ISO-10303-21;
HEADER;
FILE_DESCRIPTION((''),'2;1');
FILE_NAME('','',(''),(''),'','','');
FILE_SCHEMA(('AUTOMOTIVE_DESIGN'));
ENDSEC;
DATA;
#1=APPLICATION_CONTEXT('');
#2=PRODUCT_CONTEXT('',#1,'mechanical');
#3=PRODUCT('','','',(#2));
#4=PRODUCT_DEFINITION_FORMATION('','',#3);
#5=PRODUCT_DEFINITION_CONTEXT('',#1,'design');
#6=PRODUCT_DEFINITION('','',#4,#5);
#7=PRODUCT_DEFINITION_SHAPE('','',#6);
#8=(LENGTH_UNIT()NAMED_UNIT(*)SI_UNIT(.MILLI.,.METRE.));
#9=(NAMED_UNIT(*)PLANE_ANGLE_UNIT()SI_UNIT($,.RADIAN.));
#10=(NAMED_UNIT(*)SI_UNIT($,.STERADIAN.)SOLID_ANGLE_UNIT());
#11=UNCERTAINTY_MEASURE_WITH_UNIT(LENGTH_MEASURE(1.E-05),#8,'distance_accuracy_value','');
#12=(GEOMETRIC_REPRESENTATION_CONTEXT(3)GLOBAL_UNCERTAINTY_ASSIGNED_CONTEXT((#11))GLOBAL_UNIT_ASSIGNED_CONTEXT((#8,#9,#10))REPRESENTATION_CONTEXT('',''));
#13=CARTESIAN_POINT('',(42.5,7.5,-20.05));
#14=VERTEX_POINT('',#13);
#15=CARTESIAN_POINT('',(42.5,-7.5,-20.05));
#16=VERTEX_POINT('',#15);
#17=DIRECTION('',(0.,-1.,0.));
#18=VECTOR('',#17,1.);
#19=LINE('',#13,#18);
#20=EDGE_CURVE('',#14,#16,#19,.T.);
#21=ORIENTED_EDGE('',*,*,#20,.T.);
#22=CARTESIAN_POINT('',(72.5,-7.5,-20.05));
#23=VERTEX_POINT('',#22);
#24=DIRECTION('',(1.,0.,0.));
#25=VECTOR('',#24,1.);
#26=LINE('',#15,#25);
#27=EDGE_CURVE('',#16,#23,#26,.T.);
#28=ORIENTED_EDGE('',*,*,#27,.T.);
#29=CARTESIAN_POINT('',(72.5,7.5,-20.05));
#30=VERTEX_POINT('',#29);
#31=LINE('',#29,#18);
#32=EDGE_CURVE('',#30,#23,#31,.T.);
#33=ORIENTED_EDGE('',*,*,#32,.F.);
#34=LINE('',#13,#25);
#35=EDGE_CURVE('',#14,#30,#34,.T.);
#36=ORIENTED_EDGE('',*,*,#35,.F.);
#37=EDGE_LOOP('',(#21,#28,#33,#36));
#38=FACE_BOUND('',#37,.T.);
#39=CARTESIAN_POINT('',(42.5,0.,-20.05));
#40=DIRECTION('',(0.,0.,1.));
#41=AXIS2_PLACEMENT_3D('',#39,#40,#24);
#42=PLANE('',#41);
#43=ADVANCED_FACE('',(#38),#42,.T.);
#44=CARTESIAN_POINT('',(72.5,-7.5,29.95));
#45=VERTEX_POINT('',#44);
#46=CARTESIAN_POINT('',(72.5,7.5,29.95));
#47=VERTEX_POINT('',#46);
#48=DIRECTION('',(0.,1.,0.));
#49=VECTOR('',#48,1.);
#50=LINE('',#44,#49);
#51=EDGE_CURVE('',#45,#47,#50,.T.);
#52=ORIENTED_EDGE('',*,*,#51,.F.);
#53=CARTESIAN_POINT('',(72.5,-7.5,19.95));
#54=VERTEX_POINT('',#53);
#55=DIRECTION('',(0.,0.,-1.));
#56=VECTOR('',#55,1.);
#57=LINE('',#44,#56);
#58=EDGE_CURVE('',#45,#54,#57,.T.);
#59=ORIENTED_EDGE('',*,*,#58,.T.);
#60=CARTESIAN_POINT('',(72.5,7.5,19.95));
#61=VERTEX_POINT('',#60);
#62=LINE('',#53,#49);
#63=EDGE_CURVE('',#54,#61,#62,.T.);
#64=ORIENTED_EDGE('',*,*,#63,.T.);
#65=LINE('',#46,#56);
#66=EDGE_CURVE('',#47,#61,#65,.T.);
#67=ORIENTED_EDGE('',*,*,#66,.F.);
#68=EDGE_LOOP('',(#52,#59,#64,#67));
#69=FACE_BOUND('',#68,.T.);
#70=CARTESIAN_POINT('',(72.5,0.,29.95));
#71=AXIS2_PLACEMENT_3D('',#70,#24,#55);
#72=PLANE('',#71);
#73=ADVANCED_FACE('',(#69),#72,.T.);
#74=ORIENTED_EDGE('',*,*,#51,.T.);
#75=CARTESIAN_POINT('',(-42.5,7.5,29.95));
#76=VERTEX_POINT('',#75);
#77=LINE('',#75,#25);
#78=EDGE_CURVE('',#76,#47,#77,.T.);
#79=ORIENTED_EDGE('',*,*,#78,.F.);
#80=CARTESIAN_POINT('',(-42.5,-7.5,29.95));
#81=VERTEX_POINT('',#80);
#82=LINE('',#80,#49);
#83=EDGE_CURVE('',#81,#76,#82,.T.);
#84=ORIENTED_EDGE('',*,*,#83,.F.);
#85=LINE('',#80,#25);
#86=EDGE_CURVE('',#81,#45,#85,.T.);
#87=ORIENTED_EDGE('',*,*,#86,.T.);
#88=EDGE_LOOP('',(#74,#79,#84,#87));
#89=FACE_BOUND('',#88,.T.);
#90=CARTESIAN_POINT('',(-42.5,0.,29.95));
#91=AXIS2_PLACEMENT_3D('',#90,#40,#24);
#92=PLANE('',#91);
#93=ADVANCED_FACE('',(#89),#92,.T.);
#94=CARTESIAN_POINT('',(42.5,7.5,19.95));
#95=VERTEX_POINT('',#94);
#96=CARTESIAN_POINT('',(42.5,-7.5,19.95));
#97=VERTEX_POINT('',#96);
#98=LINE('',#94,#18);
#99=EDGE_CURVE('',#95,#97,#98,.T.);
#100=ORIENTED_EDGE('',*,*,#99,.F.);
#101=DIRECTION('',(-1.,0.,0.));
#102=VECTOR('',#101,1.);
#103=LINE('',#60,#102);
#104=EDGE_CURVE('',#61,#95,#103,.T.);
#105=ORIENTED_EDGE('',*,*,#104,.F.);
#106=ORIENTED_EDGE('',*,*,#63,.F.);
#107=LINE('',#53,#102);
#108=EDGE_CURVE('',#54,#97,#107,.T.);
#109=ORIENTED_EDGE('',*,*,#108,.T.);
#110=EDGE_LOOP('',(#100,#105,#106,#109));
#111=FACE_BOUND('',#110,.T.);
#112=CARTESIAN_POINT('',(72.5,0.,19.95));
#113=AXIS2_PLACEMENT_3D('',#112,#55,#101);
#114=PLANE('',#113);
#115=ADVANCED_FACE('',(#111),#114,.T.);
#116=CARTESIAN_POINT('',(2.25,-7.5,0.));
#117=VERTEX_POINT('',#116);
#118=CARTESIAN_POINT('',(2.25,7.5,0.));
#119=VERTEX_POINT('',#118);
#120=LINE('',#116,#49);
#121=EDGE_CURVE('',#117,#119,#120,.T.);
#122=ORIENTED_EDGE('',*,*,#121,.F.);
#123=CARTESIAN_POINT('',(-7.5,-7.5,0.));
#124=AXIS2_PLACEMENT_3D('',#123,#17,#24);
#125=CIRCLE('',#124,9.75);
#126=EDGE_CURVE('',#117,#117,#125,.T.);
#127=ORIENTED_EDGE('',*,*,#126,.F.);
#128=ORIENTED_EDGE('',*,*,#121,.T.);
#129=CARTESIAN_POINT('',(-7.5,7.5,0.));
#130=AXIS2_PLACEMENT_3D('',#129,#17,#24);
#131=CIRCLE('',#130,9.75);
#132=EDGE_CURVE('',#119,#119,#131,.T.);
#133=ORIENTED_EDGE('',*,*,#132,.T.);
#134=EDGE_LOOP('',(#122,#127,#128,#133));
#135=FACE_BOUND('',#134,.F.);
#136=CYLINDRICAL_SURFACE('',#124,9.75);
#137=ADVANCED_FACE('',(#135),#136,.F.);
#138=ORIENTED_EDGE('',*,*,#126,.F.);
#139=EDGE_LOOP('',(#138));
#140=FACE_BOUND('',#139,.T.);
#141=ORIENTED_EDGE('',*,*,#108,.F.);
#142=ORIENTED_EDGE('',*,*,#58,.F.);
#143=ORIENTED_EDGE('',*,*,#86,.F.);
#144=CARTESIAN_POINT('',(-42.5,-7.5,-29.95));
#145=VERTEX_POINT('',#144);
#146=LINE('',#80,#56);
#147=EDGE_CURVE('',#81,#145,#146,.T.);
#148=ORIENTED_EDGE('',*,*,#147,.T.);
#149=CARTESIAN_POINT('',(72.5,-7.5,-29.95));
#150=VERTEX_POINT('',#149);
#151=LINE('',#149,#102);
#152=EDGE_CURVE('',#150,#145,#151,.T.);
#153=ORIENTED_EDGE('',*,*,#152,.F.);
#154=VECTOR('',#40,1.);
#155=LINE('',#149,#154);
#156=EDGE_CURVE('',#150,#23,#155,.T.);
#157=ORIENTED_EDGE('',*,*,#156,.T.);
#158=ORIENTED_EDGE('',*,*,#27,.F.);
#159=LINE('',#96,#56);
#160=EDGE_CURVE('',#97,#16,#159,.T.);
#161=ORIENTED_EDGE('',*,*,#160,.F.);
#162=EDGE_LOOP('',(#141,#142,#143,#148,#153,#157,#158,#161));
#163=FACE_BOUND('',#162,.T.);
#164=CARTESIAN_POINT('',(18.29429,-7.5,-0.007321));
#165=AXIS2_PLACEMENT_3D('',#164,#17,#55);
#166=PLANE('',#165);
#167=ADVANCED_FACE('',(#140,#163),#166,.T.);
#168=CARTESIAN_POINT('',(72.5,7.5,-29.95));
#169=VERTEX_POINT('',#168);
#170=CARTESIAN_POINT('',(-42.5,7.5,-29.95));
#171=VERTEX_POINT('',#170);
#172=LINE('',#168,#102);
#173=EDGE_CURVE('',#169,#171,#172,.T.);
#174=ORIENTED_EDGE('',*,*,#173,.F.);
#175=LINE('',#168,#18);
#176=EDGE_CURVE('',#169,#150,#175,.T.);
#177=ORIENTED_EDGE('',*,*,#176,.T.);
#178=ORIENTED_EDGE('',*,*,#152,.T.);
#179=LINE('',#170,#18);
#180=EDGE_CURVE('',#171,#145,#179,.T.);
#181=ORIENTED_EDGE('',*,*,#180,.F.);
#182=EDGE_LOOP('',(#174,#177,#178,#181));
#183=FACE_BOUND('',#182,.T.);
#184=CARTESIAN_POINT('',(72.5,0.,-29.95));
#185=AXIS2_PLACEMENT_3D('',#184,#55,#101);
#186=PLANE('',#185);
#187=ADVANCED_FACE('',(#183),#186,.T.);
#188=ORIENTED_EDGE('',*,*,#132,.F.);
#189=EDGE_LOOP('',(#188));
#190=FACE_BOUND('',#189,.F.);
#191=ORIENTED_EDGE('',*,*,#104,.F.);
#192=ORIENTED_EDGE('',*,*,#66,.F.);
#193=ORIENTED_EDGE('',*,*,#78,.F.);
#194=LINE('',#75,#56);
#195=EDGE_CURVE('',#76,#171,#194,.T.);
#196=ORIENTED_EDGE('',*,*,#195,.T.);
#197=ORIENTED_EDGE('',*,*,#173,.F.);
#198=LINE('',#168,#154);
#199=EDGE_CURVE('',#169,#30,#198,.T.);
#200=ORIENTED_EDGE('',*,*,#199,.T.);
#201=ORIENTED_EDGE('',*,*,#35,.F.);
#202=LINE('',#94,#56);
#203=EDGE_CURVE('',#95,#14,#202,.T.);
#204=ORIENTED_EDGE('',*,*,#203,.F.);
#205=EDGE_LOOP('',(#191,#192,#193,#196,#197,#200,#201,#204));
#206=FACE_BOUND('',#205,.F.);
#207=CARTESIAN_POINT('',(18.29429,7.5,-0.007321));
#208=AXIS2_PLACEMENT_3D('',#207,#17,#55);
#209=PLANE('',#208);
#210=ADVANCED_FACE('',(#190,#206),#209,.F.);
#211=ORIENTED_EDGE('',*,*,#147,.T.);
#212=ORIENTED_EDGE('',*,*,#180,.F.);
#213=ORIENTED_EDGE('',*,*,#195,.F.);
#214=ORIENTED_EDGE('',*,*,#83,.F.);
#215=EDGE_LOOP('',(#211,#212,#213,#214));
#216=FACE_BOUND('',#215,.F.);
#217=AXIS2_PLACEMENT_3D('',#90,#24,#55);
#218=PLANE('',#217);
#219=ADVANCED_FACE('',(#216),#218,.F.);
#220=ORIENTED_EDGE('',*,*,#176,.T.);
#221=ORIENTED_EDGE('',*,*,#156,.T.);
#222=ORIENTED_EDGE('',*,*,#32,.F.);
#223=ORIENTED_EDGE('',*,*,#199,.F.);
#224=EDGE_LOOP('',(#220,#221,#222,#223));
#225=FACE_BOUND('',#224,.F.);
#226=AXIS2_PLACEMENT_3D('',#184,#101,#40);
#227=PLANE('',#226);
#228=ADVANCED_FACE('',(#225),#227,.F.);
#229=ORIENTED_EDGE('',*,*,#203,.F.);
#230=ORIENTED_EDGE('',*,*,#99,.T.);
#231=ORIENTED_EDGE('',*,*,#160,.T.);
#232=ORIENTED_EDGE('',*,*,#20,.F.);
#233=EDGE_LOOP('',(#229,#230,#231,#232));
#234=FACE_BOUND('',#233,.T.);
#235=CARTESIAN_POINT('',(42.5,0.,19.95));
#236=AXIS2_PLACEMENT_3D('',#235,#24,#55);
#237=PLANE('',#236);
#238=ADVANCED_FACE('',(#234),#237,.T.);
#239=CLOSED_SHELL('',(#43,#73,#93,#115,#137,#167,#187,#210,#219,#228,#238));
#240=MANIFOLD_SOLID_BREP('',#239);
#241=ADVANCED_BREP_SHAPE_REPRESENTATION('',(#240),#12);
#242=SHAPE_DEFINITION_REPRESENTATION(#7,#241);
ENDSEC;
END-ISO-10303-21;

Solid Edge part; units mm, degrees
sketch "Sketch1" plane through (0, 0, 0) normal (0, -1, 0) x (1, 0, 0)
  line L0 (-42.5, 29.95) -> (-42.5, -29.95)
  line L1 (72.5, -29.95) -> (-42.5, -29.95)
  line L2 (72.5, -29.95) -> (72.5, -20.05)
  line L3 (42.5, -20.05) -> (72.5, -20.05)
  line L4 (42.5, 19.95) -> (42.5, -20.05)
  line L5 (72.5, 19.95) -> (42.5, 19.95)
  line L6 (72.5, 29.95) -> (72.5, 19.95)
  line L7 (-42.5, 29.95) -> (72.5, 29.95)
  dimension "D1" = 59.9
extrude "Protrusion1" add sketch "Sketch1" along normal mid plane 15
sketch "Sketch2" plane through (0, -7.5, 0) normal (0, -1, 0) x (1, 0, 0)
  circle A0 centre (-7.5, 0) radius 9.75
  dimension "D1" = 35
extrude "Ausschnitt_1" cut sketch "Sketch2" against normal blind 113.5793
